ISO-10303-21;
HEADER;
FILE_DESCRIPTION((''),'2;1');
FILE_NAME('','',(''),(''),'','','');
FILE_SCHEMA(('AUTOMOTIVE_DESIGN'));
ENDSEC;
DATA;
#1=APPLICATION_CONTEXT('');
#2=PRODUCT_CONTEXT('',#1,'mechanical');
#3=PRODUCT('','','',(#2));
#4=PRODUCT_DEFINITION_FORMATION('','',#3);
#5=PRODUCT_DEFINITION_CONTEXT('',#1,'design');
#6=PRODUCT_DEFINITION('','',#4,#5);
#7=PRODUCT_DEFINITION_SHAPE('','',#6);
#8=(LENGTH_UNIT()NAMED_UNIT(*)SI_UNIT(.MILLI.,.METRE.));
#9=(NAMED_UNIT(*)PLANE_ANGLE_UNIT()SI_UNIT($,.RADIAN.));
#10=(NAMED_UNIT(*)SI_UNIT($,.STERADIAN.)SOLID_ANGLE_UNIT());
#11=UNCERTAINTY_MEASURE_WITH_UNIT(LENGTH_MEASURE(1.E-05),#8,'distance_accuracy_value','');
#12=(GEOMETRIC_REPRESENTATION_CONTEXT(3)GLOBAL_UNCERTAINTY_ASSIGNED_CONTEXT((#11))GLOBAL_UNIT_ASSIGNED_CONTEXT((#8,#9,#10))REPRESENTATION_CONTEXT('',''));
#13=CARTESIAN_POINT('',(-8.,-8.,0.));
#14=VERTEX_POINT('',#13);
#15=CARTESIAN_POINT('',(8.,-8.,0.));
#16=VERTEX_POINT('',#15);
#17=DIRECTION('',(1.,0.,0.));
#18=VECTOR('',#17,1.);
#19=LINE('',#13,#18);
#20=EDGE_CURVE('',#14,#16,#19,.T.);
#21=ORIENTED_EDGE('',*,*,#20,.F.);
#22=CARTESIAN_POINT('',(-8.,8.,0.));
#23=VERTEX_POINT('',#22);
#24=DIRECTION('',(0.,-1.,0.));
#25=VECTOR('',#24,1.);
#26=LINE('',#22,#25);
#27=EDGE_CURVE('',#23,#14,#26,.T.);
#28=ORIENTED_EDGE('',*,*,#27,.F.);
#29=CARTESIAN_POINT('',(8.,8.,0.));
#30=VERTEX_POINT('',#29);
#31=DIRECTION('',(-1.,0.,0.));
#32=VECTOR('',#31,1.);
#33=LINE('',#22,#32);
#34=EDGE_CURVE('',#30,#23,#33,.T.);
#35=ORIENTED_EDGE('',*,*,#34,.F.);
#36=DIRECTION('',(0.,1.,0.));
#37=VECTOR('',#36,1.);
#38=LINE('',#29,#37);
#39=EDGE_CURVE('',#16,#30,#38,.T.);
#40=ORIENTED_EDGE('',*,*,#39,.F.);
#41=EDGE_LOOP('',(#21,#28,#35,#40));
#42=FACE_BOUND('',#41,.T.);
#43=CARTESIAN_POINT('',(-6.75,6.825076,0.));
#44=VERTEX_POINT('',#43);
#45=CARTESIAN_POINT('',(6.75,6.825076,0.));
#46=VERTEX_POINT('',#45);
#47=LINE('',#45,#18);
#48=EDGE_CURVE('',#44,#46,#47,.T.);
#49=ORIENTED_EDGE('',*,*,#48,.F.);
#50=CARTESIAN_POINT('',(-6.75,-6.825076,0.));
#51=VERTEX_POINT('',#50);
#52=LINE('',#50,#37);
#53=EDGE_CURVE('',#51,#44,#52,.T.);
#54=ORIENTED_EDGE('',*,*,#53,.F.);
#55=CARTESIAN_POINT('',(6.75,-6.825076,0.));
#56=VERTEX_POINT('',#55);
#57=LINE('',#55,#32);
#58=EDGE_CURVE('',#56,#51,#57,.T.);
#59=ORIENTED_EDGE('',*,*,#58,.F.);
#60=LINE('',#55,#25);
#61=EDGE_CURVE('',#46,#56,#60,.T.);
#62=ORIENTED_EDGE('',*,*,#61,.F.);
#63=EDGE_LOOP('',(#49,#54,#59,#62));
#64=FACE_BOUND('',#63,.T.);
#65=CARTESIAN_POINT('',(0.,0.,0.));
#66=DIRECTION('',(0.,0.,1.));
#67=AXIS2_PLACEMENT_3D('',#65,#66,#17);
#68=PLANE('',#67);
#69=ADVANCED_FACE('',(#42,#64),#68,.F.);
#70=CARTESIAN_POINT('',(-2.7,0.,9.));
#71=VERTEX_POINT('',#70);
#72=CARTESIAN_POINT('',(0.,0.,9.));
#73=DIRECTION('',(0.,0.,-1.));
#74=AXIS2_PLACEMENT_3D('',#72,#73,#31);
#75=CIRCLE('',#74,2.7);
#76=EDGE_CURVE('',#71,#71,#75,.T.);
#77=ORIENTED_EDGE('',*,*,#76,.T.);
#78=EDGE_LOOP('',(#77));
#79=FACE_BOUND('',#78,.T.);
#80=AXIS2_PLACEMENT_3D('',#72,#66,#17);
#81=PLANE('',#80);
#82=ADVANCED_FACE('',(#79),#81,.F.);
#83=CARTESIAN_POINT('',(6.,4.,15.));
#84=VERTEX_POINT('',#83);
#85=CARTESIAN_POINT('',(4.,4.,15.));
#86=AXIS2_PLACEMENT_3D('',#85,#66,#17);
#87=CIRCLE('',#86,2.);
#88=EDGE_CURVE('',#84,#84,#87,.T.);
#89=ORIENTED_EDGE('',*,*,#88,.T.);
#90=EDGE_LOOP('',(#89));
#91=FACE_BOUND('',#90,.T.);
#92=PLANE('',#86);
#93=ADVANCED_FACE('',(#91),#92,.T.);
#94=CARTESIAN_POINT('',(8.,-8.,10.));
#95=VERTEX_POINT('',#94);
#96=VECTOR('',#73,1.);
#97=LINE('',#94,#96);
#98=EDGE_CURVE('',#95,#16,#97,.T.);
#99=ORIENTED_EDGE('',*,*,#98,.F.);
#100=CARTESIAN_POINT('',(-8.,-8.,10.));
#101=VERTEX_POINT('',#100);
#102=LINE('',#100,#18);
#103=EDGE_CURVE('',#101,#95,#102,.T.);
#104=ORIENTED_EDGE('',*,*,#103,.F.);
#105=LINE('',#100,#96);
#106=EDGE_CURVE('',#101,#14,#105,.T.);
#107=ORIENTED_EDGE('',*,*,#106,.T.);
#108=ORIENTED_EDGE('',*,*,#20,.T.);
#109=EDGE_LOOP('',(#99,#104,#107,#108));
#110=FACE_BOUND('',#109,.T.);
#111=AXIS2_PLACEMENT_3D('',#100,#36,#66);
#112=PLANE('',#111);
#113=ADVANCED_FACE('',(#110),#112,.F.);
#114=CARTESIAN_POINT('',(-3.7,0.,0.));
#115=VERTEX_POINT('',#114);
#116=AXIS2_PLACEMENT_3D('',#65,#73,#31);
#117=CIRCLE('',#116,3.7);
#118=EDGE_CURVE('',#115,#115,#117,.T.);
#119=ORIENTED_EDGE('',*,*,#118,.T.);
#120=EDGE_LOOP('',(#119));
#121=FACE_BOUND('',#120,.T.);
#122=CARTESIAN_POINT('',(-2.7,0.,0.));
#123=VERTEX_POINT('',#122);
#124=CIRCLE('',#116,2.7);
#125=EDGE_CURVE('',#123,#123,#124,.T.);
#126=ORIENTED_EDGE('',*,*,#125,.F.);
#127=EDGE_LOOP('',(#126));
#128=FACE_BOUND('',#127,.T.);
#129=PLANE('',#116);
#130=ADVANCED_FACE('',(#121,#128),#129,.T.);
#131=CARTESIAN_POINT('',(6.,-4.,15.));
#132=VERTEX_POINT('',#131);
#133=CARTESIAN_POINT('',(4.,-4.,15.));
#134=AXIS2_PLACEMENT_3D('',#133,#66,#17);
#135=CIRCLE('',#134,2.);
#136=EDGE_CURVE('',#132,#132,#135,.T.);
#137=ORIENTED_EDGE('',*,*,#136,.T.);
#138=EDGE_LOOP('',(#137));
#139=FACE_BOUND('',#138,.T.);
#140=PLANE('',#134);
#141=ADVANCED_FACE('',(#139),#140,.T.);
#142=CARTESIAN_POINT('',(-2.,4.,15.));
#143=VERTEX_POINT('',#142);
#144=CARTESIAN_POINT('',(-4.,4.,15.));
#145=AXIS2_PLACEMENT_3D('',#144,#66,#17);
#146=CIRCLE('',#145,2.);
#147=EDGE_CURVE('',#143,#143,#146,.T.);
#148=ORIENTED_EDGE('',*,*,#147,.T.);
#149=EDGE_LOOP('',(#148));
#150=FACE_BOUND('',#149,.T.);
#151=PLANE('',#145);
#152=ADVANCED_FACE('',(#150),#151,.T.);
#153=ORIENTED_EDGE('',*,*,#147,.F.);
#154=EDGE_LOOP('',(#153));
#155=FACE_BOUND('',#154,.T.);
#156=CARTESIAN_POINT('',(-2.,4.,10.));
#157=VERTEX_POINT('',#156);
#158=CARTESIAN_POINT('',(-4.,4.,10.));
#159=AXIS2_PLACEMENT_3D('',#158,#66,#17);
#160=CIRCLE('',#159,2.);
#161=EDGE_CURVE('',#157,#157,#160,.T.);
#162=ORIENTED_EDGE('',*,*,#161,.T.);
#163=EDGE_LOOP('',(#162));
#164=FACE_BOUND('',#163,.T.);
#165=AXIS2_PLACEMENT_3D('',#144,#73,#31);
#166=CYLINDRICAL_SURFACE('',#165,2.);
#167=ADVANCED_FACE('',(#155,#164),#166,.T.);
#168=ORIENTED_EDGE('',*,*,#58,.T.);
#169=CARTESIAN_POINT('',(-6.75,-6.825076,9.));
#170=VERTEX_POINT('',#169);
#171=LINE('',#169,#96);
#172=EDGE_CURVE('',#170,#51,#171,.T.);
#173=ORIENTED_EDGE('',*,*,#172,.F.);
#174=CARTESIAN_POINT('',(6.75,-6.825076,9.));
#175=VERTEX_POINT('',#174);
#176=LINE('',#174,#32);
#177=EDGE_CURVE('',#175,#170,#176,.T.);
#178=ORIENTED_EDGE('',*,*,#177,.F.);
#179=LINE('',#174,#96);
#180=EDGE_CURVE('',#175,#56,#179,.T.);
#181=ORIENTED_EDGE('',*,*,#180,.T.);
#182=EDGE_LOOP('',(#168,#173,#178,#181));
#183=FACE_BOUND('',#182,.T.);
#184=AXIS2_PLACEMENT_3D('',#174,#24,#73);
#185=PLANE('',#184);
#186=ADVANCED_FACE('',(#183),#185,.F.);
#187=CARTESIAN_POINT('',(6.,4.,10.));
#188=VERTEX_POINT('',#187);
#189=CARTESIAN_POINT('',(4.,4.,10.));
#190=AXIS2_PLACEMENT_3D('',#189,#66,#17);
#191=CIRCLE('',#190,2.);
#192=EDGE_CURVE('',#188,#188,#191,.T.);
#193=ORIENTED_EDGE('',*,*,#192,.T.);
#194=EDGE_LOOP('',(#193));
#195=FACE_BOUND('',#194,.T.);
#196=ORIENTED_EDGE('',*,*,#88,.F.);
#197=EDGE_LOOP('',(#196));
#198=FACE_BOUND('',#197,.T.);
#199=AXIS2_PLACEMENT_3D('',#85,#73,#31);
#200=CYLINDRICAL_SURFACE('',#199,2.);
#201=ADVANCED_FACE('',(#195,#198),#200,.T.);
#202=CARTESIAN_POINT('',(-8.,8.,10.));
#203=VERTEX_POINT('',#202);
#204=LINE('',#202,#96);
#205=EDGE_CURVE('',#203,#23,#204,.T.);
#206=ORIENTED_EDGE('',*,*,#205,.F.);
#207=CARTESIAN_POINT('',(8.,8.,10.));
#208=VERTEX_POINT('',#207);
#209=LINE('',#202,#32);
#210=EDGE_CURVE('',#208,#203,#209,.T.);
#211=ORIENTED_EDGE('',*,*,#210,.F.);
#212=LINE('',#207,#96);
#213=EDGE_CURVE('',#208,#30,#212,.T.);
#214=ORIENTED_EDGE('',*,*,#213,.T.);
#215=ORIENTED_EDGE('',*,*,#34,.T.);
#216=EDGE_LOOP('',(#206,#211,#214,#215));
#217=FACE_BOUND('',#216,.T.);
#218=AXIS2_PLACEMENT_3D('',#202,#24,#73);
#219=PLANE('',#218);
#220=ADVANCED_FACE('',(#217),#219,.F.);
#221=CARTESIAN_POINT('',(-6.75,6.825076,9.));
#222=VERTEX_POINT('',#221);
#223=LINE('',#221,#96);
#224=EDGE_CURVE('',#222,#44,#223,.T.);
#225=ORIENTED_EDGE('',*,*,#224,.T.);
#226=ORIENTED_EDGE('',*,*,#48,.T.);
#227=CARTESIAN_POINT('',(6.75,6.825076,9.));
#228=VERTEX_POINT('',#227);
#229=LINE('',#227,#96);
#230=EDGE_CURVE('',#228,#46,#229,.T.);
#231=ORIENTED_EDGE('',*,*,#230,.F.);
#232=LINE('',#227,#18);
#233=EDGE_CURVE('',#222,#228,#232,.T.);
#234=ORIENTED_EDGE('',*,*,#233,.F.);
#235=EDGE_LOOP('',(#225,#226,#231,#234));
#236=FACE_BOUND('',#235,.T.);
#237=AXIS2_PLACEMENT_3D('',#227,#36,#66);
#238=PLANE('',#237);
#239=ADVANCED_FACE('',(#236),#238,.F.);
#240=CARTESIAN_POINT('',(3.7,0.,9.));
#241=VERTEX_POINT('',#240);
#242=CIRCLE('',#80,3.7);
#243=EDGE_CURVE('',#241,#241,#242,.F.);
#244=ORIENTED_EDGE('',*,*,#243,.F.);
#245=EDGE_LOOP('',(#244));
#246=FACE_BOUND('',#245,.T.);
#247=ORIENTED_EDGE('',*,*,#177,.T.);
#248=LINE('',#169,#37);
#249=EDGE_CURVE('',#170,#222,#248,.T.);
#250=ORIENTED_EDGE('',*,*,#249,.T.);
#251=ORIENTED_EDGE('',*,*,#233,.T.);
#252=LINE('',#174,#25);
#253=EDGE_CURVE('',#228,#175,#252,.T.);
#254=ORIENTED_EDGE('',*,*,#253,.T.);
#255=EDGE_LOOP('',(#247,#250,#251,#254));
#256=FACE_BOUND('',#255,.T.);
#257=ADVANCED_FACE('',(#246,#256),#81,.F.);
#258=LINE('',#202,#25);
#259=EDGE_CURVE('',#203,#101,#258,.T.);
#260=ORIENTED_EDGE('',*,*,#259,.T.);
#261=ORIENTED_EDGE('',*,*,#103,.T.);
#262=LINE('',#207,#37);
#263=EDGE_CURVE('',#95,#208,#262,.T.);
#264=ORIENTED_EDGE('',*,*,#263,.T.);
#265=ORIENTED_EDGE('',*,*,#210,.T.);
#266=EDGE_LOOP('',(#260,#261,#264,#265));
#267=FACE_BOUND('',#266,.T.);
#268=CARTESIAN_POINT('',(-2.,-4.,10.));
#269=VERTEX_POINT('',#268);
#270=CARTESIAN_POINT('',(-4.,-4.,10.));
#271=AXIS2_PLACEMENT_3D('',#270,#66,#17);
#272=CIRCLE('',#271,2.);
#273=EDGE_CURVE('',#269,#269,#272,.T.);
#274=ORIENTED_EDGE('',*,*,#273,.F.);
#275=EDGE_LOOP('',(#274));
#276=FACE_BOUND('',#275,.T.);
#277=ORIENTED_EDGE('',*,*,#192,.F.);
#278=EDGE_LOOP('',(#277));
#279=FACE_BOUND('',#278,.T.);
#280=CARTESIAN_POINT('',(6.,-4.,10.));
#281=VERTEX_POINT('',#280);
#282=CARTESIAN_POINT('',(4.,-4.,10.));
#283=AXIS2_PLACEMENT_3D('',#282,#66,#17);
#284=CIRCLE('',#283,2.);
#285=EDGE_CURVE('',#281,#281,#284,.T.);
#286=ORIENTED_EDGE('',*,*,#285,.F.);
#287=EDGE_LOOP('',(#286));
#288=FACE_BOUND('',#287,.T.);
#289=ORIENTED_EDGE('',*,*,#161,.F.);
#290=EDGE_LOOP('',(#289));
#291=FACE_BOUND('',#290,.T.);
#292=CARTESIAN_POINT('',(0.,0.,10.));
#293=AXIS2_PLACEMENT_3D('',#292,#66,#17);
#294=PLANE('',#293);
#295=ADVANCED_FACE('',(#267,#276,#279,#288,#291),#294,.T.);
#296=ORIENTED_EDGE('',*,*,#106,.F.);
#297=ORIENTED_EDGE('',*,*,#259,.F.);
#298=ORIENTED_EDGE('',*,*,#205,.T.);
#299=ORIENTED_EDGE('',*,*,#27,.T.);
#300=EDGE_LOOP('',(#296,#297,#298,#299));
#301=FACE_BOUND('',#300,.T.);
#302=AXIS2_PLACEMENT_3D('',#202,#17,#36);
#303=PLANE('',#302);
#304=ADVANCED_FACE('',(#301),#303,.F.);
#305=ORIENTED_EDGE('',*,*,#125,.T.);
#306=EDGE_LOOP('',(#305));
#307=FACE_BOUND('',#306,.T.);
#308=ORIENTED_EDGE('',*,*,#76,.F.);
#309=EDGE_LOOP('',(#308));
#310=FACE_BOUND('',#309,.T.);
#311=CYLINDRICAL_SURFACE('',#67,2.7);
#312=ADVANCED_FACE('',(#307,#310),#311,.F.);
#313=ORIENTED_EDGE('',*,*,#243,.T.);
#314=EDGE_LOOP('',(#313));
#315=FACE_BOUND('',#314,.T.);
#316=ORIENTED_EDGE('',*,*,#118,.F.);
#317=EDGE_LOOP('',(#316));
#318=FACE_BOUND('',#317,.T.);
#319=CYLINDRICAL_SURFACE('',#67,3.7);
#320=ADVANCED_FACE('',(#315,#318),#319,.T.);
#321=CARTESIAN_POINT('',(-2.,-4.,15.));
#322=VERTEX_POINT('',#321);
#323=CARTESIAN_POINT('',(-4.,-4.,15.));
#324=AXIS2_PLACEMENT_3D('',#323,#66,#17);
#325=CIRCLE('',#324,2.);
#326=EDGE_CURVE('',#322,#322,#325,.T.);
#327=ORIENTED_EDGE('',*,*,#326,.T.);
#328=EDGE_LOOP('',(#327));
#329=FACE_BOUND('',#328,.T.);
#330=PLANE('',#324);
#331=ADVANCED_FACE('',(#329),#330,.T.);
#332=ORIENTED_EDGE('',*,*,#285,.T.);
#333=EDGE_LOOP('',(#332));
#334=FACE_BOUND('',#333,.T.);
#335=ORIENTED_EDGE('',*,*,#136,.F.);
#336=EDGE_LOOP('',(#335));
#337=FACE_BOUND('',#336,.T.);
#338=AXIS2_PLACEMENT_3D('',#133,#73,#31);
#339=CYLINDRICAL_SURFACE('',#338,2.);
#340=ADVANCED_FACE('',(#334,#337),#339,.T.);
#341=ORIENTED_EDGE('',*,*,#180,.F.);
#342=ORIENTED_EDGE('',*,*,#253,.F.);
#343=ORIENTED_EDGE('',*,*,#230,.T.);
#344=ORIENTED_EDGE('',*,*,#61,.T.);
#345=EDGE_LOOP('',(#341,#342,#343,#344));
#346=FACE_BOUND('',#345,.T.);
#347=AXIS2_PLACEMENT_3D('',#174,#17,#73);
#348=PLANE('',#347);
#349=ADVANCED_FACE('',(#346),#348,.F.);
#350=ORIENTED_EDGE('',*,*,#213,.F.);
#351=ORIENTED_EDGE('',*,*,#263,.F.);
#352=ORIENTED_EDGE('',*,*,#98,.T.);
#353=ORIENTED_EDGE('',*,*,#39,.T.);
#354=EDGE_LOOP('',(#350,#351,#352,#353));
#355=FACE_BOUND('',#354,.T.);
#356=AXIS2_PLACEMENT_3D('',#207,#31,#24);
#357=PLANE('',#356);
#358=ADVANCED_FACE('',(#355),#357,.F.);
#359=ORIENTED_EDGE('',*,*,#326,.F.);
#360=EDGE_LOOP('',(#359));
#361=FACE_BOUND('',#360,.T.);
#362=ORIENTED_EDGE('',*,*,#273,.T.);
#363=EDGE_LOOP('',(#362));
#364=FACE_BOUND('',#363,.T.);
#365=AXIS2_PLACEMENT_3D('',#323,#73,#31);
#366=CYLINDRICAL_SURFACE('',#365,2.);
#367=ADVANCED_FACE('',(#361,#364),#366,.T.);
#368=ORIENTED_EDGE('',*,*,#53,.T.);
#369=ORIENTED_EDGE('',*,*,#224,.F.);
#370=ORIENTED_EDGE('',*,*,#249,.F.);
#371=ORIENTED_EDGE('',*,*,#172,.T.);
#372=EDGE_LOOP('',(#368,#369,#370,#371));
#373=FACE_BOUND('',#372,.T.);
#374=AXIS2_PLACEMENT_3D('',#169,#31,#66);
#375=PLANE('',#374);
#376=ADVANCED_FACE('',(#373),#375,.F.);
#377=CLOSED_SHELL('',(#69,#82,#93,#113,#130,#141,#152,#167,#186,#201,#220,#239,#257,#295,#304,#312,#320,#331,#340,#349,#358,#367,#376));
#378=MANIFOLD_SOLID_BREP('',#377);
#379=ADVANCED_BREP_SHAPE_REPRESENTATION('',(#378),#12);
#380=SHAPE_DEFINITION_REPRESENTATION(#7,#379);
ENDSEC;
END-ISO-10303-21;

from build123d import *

# Parameters (mm, degrees)
SKETCH1_W           = 16
SKETCH1_H           = 16
BOSS_EXTRUDE1_DEPTH = 10
SKETCH2_R           = 2
BOSS_EXTRUDE3_DEPTH = 5
SKETCH3_W           = 13.5
SKETCH3_H           = 13.650151982
CUT_EXTRUDE1_DEPTH  = 9
SKETCH4_R           = 3.7
SKETCH4_R_2         = 2.7
BOSS_EXTRUDE4_DEPTH = 9


with BuildPart() as part:
    # Sketch1 → Boss-Extrude1 (new body)
    with BuildSketch(Plane.XY):
        Rectangle(SKETCH1_W, SKETCH1_H)
    extrude(amount=BOSS_EXTRUDE1_DEPTH)

    # Sketch2 → Boss-Extrude3 (add)
    with BuildSketch(Plane.XY.offset(10)):
        with Locations((-4, 4)):
            Circle(SKETCH2_R)
        with Locations((4, 4)):
            Circle(SKETCH2_R)
        with Locations((4, -4)):
            Circle(SKETCH2_R)
        with Locations((-4, -4)):
            Circle(SKETCH2_R)
    extrude(amount=BOSS_EXTRUDE3_DEPTH)

    # Sketch3 → Cut-Extrude1 (cut)
    with BuildSketch(Plane(origin=(0, 0, 0), x_dir=(-1, 0, 0), z_dir=(0, 0, -1))):
        Rectangle(SKETCH3_W, SKETCH3_H)
    extrude(amount=-CUT_EXTRUDE1_DEPTH, mode=Mode.SUBTRACT)

    # Sketch4 → Boss-Extrude4 (add)
    with BuildSketch(Plane(origin=(0, 0, 9), x_dir=(-1, 0, 0), z_dir=(0, 0, -1))):
        Circle(SKETCH4_R)
        Circle(SKETCH4_R_2, mode=Mode.SUBTRACT)
    extrude(amount=BOSS_EXTRUDE4_DEPTH)


solid = part.part
